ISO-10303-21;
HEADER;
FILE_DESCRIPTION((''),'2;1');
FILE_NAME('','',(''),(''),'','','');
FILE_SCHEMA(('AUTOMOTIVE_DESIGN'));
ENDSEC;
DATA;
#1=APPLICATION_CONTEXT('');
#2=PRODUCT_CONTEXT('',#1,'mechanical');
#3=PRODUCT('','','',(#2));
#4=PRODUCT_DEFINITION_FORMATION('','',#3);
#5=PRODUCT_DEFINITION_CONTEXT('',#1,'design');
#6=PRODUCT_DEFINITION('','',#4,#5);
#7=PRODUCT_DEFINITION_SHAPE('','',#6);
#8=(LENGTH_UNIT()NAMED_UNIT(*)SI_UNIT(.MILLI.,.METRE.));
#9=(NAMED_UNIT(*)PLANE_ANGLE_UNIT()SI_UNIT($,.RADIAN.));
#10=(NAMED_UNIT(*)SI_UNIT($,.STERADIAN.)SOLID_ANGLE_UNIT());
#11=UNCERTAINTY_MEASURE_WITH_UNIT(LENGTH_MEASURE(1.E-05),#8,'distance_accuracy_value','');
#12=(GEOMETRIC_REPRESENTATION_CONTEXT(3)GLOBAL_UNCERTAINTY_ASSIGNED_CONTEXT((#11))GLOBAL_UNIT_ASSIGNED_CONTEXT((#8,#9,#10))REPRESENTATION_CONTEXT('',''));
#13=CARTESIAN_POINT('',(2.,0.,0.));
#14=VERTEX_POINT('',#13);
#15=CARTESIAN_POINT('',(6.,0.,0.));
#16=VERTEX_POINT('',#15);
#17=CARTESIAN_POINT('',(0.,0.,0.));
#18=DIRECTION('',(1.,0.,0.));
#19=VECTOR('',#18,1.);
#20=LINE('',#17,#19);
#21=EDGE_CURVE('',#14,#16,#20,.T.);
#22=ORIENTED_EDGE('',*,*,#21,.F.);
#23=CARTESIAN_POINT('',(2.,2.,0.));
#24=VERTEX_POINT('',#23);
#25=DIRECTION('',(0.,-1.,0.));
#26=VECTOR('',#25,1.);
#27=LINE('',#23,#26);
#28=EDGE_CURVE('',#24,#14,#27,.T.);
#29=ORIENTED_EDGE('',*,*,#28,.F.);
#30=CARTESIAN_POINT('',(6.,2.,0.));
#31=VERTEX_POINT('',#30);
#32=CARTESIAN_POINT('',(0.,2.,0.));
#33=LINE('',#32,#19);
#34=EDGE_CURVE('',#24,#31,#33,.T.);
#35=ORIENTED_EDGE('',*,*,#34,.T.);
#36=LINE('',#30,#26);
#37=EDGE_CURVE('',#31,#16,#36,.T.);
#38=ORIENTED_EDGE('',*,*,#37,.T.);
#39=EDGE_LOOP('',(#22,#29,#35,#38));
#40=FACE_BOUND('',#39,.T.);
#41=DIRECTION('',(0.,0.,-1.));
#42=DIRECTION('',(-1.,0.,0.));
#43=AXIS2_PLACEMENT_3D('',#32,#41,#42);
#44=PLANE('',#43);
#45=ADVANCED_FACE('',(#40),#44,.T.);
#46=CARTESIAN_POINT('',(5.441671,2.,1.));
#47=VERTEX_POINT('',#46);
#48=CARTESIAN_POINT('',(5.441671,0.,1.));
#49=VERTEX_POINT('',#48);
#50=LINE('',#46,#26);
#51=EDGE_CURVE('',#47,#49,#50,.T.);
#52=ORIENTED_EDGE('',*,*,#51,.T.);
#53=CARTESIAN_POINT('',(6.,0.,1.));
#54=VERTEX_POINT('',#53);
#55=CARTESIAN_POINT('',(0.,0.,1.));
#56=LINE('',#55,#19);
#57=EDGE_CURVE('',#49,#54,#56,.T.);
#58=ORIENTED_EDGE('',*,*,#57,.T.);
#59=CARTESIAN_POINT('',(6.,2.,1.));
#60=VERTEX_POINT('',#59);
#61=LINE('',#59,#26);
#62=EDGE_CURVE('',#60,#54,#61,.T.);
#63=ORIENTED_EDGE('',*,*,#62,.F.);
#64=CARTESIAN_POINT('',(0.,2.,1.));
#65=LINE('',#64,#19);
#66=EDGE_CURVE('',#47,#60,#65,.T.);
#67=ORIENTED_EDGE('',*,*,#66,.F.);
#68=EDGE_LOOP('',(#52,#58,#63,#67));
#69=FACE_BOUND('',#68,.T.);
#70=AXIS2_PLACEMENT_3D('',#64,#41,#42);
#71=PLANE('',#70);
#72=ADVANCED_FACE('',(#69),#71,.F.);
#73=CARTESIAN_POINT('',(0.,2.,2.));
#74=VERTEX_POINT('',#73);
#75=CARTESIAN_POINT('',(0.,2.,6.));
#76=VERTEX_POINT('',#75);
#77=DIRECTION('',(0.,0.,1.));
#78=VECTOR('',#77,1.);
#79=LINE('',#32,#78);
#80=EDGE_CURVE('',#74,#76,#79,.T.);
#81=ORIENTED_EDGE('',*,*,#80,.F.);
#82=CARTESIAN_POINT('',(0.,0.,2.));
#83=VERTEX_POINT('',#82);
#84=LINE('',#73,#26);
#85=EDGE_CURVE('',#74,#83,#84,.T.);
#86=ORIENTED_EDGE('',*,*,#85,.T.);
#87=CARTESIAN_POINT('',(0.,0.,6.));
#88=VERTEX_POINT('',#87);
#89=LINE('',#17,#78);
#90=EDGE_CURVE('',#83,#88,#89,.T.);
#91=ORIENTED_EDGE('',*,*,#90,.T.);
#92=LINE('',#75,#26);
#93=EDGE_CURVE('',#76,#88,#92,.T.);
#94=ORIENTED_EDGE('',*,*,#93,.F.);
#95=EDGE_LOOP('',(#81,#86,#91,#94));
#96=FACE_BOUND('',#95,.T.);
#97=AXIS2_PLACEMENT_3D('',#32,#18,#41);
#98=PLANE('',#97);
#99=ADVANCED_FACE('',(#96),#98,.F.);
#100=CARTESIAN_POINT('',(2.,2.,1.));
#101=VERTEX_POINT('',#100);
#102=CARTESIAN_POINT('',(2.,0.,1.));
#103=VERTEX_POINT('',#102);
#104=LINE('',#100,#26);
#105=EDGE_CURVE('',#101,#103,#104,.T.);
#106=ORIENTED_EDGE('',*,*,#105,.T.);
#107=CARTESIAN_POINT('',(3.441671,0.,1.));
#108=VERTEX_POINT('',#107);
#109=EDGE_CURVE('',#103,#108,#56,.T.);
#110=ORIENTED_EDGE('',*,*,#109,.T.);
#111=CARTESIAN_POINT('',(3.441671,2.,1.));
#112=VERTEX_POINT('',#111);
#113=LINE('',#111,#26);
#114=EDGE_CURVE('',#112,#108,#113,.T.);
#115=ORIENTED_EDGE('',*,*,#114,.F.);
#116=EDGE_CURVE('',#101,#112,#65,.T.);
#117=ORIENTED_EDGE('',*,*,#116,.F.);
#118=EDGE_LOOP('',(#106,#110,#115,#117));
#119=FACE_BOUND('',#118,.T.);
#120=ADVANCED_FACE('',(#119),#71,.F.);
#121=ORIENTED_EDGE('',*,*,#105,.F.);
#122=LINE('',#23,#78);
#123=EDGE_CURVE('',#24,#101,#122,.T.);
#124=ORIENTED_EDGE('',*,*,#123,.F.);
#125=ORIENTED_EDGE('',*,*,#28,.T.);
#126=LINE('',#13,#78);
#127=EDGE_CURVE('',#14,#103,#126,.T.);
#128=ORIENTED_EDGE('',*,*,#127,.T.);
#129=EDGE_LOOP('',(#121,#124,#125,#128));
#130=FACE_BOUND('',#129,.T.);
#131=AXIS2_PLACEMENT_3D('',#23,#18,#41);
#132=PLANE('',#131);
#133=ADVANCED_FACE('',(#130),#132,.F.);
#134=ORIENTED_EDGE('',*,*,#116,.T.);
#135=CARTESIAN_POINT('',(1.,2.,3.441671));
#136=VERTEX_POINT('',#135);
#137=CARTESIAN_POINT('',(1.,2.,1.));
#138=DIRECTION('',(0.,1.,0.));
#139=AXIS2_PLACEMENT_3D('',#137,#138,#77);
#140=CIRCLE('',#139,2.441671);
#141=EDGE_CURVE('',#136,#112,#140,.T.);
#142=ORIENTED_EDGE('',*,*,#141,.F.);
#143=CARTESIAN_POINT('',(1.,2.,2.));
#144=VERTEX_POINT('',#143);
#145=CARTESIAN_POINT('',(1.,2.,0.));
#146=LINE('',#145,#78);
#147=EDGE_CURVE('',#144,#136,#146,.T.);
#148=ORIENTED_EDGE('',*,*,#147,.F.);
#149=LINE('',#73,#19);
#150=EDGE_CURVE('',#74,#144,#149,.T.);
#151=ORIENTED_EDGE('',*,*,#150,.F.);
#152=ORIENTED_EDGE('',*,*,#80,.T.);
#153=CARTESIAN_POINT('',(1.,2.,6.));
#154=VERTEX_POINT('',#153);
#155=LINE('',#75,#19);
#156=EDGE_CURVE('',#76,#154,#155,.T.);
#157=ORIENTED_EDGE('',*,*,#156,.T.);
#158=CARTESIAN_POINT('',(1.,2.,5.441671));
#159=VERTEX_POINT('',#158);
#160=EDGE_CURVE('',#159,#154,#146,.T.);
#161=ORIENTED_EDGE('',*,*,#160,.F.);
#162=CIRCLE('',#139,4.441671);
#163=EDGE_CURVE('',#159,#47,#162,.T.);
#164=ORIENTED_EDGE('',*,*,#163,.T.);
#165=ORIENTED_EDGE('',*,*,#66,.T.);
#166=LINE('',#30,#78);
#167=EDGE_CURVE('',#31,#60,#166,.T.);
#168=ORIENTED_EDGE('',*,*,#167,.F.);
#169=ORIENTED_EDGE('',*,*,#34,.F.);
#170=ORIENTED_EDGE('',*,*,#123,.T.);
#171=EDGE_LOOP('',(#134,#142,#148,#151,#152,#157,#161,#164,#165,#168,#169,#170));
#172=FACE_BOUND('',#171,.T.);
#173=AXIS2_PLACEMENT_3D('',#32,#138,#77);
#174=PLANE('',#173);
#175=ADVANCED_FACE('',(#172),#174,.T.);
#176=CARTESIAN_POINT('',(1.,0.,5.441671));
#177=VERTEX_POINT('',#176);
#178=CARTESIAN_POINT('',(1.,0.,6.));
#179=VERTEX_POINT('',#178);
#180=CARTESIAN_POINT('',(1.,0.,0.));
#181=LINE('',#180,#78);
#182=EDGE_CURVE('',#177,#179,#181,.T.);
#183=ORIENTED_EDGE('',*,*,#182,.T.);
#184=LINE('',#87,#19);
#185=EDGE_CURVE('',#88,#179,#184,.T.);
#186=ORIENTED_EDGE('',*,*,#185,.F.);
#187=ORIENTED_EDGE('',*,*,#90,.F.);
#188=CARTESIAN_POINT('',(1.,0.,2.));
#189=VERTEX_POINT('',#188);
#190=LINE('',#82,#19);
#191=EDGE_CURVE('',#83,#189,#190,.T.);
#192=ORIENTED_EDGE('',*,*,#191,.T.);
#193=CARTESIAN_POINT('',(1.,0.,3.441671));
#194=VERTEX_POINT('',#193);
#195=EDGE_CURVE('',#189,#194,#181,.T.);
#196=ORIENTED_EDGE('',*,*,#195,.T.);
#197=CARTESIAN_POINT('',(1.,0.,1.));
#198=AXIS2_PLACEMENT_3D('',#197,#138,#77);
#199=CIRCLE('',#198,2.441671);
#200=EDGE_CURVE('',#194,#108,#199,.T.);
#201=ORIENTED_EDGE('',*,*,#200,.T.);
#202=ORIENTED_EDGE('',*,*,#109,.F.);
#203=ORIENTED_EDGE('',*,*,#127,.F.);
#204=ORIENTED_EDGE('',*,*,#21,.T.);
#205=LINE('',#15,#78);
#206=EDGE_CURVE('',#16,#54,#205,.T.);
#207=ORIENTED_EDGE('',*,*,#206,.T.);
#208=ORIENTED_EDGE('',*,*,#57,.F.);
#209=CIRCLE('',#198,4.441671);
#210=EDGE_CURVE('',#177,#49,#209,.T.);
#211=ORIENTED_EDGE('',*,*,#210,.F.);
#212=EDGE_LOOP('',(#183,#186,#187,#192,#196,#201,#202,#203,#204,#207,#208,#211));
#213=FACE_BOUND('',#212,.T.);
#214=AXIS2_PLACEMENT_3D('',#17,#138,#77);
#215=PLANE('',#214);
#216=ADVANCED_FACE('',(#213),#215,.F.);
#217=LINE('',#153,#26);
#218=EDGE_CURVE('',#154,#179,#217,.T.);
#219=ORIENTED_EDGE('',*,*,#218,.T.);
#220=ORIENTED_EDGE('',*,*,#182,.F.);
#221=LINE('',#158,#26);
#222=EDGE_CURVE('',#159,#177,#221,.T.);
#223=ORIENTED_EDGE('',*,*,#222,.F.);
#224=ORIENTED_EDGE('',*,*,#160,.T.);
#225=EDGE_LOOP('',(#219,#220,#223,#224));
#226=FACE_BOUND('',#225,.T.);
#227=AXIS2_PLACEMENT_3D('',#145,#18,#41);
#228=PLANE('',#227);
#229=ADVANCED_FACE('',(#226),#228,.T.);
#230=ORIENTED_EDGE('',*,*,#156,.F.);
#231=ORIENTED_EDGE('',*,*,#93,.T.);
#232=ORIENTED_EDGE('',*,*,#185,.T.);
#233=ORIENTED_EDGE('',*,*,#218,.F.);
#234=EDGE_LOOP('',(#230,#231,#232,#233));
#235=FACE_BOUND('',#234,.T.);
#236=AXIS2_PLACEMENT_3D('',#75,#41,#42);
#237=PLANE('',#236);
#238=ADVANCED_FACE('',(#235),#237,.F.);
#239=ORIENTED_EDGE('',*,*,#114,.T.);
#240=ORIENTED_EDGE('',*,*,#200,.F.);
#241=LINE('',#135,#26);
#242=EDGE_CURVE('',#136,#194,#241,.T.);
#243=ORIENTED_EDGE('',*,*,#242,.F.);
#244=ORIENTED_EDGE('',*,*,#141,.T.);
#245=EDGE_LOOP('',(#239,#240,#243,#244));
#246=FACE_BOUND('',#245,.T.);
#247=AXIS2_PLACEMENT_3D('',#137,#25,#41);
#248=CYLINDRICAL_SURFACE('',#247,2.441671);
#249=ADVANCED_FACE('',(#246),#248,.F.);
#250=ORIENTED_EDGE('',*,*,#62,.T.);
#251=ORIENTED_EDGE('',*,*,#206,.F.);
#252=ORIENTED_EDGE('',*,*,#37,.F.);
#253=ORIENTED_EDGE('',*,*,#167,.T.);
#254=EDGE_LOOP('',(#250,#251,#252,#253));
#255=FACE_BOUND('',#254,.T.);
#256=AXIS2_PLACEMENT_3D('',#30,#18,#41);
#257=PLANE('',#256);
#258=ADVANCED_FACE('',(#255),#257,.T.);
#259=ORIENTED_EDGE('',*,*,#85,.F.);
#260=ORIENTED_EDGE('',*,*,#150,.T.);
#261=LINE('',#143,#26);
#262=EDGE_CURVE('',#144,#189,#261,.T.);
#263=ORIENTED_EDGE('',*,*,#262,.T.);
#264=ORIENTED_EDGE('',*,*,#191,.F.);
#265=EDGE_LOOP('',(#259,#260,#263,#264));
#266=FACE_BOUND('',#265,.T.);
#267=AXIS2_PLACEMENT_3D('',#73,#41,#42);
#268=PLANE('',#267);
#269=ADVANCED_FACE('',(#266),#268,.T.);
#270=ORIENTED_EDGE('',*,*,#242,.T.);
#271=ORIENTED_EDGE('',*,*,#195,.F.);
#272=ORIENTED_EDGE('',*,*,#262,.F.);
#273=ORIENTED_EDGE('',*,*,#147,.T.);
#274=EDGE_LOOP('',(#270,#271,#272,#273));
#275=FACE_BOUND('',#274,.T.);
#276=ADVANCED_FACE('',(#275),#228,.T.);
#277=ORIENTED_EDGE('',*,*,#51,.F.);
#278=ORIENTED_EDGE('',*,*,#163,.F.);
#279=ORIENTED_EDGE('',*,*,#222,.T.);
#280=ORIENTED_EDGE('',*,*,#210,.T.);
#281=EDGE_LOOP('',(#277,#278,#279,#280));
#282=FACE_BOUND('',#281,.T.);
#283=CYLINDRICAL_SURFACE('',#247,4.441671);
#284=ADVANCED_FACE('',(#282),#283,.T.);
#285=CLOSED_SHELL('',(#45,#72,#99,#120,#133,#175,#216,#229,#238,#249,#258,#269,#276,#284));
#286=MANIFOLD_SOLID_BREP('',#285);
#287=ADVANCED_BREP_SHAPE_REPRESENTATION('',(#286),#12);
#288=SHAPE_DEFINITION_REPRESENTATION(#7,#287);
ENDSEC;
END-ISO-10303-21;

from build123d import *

# Parameters (mm, degrees)
SKETCH2_W           = 1
SKETCH2_H           = 4
SKETCH2_W_2         = 4
SKETCH2_H_2         = 1
BOSS_EXTRUDE1_DEPTH = 2


with BuildPart() as part:
    # Sketch2 → Boss-Extrude1 (new body)
    with BuildSketch(Plane(origin=(0, 0, 0), x_dir=(1, 0, 0), z_dir=(0, 1, 0))):
        with Locations((0.5, -4)):
            Rectangle(SKETCH2_W, SKETCH2_H)
        with BuildLine():
            Line((5.441670533, -1), (3.441670533, -1))
            ThreePointArc((3.441670533, -1), (2.726521791, -2.726521791), (1, -3.441670533))
            Line((1, -3.441670533), (1, -5.441670533))
            ThreePointArc((1, -5.441670533), (4.140735354, -4.140735354), (5.441670533, -1))
        make_face()
        with Locations((4, -0.5)):
            Rectangle(SKETCH2_W_2, SKETCH2_H_2)
    extrude(amount=BOSS_EXTRUDE1_DEPTH)


solid = part.part
